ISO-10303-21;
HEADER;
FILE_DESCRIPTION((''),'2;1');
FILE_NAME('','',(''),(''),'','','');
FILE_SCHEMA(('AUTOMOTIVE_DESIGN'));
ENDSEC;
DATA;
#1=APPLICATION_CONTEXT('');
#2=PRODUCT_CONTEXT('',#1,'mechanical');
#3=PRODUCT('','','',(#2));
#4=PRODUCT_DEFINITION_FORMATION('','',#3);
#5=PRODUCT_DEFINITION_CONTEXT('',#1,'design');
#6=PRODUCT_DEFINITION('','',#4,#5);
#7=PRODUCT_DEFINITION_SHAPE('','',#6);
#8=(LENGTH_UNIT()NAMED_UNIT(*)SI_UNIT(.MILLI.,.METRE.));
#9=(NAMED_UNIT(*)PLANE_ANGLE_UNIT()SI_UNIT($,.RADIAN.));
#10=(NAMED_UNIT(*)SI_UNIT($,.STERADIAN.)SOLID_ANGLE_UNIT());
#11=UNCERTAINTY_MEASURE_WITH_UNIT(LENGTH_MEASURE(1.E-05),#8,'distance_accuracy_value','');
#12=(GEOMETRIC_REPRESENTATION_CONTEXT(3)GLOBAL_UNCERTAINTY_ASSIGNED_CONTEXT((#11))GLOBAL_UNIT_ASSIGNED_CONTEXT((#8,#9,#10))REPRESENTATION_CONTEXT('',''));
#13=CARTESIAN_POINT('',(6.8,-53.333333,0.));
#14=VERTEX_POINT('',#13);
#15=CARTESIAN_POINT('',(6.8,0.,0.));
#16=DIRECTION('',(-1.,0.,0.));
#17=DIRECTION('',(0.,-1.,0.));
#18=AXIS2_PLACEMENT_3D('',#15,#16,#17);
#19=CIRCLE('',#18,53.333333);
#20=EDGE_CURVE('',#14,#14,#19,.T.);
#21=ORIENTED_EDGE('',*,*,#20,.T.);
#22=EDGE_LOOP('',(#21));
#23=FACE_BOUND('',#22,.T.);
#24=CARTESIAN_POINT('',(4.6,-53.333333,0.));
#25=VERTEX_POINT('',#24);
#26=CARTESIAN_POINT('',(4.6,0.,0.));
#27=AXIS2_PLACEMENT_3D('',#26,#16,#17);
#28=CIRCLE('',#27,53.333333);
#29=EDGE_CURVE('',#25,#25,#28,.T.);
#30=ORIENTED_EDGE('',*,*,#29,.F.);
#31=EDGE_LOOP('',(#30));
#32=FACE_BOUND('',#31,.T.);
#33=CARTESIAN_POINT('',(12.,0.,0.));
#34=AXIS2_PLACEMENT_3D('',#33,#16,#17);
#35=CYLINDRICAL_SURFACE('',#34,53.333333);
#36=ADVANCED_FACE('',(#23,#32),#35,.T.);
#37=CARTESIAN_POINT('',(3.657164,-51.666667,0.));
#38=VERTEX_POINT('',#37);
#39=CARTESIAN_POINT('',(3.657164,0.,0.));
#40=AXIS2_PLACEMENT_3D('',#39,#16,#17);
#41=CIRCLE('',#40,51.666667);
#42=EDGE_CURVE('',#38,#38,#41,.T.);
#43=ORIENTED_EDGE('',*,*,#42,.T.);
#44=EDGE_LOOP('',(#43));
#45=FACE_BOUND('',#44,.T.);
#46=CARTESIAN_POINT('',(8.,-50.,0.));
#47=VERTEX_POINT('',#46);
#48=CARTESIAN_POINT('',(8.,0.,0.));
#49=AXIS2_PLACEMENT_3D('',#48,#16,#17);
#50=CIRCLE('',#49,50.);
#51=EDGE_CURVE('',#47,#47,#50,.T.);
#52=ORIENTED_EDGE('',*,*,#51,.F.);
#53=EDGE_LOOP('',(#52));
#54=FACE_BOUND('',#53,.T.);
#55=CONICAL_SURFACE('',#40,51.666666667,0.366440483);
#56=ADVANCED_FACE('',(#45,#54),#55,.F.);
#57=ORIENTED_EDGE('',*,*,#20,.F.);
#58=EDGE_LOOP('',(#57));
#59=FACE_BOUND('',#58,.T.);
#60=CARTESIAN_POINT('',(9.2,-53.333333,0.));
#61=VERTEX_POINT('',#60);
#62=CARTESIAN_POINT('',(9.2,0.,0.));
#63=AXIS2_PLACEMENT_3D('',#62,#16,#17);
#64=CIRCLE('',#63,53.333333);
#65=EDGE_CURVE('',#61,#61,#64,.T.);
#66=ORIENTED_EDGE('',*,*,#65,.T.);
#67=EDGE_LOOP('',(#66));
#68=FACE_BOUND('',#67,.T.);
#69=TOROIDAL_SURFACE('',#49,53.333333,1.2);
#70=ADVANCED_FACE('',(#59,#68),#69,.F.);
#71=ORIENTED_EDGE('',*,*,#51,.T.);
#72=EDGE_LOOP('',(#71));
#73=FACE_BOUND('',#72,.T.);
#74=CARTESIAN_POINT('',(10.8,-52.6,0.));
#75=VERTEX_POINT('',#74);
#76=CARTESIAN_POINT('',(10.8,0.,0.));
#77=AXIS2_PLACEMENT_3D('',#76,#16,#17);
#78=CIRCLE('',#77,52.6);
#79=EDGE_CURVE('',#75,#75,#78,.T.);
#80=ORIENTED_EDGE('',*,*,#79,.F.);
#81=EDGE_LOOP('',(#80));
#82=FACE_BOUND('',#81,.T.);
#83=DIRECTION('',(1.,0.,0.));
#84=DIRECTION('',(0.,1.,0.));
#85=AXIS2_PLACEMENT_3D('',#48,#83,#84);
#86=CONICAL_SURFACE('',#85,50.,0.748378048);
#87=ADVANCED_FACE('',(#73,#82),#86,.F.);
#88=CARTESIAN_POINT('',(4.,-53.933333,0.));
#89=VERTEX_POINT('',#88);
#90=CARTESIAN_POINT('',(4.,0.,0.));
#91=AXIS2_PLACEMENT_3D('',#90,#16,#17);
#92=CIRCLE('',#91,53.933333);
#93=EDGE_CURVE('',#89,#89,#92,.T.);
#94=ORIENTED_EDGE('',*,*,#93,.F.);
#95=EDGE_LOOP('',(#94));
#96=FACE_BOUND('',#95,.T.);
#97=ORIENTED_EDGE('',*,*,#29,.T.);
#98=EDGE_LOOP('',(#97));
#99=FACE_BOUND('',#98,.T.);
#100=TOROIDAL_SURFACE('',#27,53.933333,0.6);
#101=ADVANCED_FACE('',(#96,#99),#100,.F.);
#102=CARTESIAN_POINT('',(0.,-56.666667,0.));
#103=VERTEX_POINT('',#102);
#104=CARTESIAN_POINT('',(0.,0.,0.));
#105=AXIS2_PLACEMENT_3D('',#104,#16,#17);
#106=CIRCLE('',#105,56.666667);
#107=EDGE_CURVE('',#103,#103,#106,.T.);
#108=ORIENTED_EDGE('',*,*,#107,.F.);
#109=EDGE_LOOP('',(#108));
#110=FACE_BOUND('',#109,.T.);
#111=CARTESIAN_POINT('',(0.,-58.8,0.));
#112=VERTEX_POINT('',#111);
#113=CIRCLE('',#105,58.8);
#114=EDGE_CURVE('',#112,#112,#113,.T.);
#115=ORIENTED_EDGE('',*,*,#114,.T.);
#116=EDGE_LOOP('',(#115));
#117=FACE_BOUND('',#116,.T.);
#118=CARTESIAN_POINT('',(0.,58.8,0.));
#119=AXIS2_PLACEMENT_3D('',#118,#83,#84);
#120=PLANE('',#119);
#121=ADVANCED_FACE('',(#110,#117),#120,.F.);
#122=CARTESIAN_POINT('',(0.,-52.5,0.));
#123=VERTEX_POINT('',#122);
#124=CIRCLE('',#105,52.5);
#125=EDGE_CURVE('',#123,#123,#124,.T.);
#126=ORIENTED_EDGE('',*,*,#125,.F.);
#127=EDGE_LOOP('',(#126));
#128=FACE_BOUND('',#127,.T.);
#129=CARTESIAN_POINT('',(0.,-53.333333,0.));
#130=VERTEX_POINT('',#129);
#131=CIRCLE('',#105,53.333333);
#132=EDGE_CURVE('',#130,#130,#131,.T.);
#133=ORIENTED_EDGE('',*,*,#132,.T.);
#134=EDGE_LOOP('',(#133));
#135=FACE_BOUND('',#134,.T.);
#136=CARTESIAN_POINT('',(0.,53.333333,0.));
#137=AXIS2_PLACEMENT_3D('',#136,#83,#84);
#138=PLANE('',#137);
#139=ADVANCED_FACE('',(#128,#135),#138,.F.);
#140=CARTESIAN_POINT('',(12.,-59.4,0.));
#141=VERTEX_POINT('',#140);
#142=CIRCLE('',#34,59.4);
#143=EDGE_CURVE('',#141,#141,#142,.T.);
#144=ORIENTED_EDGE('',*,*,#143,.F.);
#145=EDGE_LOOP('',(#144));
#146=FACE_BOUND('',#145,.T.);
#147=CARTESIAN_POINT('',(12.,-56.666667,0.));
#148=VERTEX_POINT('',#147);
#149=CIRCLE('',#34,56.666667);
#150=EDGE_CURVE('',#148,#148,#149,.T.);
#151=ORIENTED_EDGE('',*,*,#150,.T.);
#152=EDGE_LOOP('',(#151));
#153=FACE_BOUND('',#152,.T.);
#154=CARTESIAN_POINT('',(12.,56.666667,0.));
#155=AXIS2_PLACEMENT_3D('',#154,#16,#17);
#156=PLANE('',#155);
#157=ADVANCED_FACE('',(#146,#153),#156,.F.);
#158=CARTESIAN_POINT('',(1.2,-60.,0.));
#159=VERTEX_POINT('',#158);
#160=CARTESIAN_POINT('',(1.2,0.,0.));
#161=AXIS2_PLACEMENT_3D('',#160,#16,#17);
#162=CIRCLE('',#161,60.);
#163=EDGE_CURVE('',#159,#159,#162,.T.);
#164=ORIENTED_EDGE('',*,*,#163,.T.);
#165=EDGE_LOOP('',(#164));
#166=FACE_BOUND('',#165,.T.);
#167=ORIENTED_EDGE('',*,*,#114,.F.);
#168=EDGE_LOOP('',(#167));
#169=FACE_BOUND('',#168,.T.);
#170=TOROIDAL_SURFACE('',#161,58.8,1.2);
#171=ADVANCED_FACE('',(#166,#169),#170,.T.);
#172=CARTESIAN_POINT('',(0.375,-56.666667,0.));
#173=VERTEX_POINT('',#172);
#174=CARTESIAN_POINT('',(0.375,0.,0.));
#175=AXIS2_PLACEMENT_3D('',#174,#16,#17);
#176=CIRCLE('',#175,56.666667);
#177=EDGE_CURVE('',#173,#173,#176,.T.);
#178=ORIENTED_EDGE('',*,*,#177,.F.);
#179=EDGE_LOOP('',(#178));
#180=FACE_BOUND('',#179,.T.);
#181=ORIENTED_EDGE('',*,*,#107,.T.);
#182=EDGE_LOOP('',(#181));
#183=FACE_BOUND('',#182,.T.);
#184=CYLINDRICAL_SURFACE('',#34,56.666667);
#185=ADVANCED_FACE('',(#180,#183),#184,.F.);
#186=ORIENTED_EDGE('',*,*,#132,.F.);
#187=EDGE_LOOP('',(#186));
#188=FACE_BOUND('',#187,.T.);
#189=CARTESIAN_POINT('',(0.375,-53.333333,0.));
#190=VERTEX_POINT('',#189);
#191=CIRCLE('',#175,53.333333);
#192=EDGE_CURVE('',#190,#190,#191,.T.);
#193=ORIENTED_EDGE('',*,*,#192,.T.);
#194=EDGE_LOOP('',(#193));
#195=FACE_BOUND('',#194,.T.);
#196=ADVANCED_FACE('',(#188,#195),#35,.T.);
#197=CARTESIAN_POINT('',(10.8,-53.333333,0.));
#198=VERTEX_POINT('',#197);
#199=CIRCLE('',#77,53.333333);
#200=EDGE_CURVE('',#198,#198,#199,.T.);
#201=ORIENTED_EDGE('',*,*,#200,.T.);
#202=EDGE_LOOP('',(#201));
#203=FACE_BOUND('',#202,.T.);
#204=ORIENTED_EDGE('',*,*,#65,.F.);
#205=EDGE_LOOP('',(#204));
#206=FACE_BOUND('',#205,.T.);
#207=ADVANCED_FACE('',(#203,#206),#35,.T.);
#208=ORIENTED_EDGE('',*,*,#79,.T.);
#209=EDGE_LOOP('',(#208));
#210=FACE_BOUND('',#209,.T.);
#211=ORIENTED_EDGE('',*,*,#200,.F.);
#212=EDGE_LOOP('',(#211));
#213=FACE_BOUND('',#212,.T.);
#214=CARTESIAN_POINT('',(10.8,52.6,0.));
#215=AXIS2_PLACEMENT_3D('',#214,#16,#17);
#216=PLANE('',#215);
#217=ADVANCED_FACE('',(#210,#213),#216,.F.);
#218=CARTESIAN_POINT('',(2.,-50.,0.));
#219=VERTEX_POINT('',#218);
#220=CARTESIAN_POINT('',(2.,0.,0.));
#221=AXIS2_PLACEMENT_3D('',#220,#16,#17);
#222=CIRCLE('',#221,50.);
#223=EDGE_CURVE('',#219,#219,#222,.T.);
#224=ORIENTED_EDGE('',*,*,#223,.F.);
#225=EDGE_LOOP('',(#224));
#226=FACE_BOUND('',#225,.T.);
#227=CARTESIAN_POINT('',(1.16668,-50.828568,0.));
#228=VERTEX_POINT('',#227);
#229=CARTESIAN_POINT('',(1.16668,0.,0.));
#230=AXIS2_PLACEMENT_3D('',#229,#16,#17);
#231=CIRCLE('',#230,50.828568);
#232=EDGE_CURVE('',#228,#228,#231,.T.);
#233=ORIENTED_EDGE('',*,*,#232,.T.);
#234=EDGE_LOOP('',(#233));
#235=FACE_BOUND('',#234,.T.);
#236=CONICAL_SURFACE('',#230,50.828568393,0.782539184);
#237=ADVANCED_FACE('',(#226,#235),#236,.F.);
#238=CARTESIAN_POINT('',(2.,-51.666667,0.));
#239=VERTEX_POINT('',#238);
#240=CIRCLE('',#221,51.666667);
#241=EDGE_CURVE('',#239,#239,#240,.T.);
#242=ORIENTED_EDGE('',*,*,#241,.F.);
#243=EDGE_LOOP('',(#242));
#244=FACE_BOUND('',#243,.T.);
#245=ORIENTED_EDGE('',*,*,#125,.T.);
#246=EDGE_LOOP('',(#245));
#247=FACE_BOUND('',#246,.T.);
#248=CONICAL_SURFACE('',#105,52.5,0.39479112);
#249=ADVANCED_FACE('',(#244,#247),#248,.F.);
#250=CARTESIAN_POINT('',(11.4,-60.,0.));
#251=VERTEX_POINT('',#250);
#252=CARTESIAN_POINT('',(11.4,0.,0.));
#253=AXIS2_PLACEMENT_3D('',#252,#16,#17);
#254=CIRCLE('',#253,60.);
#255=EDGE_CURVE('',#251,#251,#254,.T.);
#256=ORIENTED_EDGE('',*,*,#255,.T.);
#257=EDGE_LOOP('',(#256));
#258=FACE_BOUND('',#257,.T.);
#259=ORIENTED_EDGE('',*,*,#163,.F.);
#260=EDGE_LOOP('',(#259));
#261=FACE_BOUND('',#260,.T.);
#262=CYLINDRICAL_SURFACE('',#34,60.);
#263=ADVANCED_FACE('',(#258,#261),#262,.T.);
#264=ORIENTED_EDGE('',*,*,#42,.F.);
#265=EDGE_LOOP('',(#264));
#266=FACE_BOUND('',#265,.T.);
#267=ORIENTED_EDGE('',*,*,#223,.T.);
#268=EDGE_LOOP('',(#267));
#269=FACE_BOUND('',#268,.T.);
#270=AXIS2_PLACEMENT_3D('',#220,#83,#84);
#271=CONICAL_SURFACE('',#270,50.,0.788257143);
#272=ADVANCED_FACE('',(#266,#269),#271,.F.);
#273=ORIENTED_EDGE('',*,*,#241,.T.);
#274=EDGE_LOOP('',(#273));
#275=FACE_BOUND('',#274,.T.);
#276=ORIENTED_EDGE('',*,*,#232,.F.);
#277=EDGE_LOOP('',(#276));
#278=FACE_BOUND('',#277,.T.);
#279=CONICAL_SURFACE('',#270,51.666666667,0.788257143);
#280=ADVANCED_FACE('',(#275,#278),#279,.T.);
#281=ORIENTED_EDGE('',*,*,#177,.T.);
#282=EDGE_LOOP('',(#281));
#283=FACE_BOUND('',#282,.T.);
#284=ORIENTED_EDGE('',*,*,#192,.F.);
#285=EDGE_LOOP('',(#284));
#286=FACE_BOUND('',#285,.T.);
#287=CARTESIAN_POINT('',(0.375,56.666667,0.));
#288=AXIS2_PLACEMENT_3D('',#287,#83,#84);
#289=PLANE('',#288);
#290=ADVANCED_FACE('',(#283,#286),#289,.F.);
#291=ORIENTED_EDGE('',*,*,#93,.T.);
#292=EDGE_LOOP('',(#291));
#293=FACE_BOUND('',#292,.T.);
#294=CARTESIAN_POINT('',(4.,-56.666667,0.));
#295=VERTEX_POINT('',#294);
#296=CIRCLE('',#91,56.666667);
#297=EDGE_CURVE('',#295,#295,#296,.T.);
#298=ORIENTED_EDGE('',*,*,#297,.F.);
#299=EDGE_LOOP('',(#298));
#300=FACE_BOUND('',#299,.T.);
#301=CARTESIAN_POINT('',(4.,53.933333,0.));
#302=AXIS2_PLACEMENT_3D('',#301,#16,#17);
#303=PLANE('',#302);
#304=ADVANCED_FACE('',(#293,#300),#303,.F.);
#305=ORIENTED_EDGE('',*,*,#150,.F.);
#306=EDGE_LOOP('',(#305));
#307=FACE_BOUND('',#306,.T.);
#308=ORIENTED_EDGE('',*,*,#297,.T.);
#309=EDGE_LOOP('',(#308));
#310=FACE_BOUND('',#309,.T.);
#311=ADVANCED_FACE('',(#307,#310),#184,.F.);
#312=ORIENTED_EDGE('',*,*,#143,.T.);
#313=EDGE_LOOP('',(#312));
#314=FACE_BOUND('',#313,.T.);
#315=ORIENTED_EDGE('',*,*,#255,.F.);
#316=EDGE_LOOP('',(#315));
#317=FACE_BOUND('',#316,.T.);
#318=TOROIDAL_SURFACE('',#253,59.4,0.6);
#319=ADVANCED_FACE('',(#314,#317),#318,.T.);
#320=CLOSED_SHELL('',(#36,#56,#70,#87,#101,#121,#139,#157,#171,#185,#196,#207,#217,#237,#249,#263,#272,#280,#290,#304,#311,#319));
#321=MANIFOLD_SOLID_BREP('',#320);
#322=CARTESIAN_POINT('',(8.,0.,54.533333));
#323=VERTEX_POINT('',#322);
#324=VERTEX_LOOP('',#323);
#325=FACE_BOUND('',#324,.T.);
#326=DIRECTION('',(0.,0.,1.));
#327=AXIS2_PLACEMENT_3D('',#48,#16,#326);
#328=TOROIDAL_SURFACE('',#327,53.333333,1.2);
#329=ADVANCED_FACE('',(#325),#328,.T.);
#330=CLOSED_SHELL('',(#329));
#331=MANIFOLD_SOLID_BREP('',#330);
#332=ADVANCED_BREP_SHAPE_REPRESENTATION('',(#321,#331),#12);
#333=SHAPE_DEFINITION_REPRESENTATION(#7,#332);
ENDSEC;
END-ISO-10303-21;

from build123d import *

# Parameters (mm, degrees)
SKETCH2_R = 1.2


with BuildPart() as part:
    # Sketch1 → Revolve1 (revolve)
    with BuildSketch(Plane.XY, mode=Mode.PRIVATE) as revolve1_sk:
        with BuildLine():
            Line((0, 56.666666667), (0.375, 56.666666667))
            Line((0.375, 56.666666667), (0.375, 53.333333333))
            Line((0.375, 53.333333333), (0, 53.333333333))
            Line((0, 53.333333333), (0, 52.5))
            Line((0, 52.5), (2, 51.666666667))
            Line((2, 51.666666667), (1.16668029, 50.828568393))
            Line((1.16668029, 50.828568393), (2, 50))
            Line((2, 50), (3.657163877, 51.666666667))
            Line((3.657163877, 51.666666667), (8, 50))
            Line((8, 50), (10.8, 52.6))
            Line((10.8, 52.6), (10.8, 53.333333333))
            Line((10.8, 53.333333333), (9.2, 53.333333333))
            ThreePointArc((9.2, 53.333333333), (8, 52.133333333), (6.8, 53.333333333))
            Line((6.8, 53.333333333), (4.6, 53.333333333))
            ThreePointArc((4.6, 53.333333333), (4.175735931, 53.509069265), (4, 53.933333333))
            Line((4, 53.933333333), (4, 56.666666667))
            Line((4, 56.666666667), (12, 56.666666667))
            Line((12, 56.666666667), (12, 59.4))
            ThreePointArc((12, 59.4), (11.824264069, 59.824264069), (11.4, 60))
            Line((11.4, 60), (1.2, 60))
            ThreePointArc((1.2, 60), (0.351471863, 59.648528137), (0, 58.8))
            Line((0, 58.8), (0, 56.666666667))
        make_face()
    revolve(revolve1_sk.sketch.rotate(Axis((12, 0, 0), (-1, 0, 0)), 180), axis=Axis((12, 0, 0), (-1, 0, 0)))


with BuildPart() as body_2:
    # Sketch2 → Revolve2 (revolve)
    with BuildSketch(Plane.XY, mode=Mode.PRIVATE) as revolve2_sk:
        with Locations((8, 53.333333333)):
            Circle(SKETCH2_R)
    revolve(revolve2_sk.sketch.rotate(Axis((0, 0, 0), (1, 0, 0)), 90), axis=Axis((0, 0, 0), (1, 0, 0)))


solid = Compound([part.part, body_2.part])
